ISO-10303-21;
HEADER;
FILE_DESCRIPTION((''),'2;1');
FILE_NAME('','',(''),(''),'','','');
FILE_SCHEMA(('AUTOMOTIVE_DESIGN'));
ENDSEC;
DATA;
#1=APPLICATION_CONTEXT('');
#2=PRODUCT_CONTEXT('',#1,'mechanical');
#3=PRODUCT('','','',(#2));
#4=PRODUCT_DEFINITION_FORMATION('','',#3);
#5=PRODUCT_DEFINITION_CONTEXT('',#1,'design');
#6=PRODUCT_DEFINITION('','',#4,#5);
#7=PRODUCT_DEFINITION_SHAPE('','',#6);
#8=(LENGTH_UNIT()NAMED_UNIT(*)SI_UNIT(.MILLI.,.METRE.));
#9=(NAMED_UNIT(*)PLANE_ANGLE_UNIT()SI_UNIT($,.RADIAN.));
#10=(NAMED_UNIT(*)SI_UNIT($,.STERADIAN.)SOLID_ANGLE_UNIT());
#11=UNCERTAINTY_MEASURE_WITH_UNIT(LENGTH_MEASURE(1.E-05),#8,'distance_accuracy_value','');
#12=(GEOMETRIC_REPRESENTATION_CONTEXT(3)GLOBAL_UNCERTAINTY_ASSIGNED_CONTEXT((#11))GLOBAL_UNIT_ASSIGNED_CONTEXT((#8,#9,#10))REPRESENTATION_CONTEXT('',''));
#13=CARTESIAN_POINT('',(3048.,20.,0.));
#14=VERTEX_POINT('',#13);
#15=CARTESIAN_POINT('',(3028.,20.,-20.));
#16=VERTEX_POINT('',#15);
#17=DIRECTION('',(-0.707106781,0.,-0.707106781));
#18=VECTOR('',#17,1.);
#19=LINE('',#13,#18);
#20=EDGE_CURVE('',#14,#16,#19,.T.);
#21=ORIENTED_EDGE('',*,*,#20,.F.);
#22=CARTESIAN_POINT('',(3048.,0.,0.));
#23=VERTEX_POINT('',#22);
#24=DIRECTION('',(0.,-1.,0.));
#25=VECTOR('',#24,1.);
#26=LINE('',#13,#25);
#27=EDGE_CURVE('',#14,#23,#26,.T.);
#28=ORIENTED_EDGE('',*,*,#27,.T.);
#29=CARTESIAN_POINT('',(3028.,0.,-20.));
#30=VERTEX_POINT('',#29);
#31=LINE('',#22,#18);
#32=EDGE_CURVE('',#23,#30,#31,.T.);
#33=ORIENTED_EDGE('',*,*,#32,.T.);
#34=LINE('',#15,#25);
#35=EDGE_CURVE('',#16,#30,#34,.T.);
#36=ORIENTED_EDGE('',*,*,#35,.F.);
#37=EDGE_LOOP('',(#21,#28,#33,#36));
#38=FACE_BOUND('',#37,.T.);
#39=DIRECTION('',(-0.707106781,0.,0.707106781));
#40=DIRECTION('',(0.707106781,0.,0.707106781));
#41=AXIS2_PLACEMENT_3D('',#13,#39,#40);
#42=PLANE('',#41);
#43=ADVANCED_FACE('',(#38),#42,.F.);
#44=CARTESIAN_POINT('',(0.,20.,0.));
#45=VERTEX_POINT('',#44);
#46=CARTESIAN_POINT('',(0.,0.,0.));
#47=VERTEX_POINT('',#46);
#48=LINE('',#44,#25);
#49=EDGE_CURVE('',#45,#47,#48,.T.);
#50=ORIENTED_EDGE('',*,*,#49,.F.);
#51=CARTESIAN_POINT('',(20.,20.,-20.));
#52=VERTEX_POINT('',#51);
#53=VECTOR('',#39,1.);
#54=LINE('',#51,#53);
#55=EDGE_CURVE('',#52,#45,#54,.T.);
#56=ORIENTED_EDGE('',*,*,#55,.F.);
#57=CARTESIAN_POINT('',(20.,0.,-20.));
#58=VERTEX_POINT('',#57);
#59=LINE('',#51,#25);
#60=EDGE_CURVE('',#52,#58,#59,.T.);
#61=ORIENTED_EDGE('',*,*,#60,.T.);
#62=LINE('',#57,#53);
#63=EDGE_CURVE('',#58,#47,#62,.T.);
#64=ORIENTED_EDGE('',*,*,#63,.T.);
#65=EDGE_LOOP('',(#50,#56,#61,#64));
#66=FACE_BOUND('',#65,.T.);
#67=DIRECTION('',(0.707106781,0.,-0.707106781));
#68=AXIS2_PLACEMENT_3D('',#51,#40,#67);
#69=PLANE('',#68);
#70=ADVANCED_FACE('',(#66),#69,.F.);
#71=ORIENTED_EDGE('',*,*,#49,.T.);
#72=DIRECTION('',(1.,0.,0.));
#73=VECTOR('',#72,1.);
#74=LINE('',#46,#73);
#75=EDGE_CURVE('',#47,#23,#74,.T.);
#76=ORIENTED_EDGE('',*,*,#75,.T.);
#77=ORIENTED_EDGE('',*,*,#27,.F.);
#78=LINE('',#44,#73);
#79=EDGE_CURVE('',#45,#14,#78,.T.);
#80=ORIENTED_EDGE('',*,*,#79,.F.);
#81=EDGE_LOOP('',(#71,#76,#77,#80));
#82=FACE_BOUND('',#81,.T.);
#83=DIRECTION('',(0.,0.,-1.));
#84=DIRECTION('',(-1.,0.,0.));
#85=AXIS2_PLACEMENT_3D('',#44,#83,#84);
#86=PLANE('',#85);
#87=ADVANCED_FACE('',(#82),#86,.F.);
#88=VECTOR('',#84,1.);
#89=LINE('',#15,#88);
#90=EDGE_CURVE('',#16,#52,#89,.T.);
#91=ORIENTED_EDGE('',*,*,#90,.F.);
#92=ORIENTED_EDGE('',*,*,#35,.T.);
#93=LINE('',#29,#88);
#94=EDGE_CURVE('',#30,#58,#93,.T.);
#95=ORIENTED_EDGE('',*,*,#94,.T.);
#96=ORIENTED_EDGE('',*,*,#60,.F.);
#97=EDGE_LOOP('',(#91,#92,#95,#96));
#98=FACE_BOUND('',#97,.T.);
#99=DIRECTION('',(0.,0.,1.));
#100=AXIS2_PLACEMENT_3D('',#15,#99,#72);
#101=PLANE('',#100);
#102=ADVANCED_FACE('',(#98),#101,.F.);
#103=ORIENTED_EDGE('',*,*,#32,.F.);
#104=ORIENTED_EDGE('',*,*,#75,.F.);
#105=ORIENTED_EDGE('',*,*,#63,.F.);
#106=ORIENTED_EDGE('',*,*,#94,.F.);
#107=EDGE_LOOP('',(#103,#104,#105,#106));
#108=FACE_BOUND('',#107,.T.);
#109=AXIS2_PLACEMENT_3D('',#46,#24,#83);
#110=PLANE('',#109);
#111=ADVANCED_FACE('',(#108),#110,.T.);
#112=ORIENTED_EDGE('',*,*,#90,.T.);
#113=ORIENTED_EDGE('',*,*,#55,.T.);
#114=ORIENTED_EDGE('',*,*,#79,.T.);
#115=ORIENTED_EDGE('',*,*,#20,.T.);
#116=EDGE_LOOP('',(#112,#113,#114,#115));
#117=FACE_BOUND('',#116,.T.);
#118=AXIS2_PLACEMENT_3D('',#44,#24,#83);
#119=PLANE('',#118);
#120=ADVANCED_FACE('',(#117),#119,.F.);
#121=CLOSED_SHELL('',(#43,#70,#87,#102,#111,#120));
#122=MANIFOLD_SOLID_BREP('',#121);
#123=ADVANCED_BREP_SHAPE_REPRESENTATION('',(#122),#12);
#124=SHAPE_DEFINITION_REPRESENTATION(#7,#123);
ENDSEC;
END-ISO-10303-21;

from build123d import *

# Parameters (mm, degrees)
BOSS_EXTRUDE1_DEPTH = 20


with BuildPart() as part:
    # Sketch1 → Boss-Extrude1 (new body)
    with BuildSketch(Plane(origin=(0, 0, 0), x_dir=(1, 0, 0), z_dir=(0, 1, 0))):
        Polygon((0, 0), (3048, 0), (3028, 20), (20, 20), align=None)
    extrude(amount=BOSS_EXTRUDE1_DEPTH)


solid = part.part
